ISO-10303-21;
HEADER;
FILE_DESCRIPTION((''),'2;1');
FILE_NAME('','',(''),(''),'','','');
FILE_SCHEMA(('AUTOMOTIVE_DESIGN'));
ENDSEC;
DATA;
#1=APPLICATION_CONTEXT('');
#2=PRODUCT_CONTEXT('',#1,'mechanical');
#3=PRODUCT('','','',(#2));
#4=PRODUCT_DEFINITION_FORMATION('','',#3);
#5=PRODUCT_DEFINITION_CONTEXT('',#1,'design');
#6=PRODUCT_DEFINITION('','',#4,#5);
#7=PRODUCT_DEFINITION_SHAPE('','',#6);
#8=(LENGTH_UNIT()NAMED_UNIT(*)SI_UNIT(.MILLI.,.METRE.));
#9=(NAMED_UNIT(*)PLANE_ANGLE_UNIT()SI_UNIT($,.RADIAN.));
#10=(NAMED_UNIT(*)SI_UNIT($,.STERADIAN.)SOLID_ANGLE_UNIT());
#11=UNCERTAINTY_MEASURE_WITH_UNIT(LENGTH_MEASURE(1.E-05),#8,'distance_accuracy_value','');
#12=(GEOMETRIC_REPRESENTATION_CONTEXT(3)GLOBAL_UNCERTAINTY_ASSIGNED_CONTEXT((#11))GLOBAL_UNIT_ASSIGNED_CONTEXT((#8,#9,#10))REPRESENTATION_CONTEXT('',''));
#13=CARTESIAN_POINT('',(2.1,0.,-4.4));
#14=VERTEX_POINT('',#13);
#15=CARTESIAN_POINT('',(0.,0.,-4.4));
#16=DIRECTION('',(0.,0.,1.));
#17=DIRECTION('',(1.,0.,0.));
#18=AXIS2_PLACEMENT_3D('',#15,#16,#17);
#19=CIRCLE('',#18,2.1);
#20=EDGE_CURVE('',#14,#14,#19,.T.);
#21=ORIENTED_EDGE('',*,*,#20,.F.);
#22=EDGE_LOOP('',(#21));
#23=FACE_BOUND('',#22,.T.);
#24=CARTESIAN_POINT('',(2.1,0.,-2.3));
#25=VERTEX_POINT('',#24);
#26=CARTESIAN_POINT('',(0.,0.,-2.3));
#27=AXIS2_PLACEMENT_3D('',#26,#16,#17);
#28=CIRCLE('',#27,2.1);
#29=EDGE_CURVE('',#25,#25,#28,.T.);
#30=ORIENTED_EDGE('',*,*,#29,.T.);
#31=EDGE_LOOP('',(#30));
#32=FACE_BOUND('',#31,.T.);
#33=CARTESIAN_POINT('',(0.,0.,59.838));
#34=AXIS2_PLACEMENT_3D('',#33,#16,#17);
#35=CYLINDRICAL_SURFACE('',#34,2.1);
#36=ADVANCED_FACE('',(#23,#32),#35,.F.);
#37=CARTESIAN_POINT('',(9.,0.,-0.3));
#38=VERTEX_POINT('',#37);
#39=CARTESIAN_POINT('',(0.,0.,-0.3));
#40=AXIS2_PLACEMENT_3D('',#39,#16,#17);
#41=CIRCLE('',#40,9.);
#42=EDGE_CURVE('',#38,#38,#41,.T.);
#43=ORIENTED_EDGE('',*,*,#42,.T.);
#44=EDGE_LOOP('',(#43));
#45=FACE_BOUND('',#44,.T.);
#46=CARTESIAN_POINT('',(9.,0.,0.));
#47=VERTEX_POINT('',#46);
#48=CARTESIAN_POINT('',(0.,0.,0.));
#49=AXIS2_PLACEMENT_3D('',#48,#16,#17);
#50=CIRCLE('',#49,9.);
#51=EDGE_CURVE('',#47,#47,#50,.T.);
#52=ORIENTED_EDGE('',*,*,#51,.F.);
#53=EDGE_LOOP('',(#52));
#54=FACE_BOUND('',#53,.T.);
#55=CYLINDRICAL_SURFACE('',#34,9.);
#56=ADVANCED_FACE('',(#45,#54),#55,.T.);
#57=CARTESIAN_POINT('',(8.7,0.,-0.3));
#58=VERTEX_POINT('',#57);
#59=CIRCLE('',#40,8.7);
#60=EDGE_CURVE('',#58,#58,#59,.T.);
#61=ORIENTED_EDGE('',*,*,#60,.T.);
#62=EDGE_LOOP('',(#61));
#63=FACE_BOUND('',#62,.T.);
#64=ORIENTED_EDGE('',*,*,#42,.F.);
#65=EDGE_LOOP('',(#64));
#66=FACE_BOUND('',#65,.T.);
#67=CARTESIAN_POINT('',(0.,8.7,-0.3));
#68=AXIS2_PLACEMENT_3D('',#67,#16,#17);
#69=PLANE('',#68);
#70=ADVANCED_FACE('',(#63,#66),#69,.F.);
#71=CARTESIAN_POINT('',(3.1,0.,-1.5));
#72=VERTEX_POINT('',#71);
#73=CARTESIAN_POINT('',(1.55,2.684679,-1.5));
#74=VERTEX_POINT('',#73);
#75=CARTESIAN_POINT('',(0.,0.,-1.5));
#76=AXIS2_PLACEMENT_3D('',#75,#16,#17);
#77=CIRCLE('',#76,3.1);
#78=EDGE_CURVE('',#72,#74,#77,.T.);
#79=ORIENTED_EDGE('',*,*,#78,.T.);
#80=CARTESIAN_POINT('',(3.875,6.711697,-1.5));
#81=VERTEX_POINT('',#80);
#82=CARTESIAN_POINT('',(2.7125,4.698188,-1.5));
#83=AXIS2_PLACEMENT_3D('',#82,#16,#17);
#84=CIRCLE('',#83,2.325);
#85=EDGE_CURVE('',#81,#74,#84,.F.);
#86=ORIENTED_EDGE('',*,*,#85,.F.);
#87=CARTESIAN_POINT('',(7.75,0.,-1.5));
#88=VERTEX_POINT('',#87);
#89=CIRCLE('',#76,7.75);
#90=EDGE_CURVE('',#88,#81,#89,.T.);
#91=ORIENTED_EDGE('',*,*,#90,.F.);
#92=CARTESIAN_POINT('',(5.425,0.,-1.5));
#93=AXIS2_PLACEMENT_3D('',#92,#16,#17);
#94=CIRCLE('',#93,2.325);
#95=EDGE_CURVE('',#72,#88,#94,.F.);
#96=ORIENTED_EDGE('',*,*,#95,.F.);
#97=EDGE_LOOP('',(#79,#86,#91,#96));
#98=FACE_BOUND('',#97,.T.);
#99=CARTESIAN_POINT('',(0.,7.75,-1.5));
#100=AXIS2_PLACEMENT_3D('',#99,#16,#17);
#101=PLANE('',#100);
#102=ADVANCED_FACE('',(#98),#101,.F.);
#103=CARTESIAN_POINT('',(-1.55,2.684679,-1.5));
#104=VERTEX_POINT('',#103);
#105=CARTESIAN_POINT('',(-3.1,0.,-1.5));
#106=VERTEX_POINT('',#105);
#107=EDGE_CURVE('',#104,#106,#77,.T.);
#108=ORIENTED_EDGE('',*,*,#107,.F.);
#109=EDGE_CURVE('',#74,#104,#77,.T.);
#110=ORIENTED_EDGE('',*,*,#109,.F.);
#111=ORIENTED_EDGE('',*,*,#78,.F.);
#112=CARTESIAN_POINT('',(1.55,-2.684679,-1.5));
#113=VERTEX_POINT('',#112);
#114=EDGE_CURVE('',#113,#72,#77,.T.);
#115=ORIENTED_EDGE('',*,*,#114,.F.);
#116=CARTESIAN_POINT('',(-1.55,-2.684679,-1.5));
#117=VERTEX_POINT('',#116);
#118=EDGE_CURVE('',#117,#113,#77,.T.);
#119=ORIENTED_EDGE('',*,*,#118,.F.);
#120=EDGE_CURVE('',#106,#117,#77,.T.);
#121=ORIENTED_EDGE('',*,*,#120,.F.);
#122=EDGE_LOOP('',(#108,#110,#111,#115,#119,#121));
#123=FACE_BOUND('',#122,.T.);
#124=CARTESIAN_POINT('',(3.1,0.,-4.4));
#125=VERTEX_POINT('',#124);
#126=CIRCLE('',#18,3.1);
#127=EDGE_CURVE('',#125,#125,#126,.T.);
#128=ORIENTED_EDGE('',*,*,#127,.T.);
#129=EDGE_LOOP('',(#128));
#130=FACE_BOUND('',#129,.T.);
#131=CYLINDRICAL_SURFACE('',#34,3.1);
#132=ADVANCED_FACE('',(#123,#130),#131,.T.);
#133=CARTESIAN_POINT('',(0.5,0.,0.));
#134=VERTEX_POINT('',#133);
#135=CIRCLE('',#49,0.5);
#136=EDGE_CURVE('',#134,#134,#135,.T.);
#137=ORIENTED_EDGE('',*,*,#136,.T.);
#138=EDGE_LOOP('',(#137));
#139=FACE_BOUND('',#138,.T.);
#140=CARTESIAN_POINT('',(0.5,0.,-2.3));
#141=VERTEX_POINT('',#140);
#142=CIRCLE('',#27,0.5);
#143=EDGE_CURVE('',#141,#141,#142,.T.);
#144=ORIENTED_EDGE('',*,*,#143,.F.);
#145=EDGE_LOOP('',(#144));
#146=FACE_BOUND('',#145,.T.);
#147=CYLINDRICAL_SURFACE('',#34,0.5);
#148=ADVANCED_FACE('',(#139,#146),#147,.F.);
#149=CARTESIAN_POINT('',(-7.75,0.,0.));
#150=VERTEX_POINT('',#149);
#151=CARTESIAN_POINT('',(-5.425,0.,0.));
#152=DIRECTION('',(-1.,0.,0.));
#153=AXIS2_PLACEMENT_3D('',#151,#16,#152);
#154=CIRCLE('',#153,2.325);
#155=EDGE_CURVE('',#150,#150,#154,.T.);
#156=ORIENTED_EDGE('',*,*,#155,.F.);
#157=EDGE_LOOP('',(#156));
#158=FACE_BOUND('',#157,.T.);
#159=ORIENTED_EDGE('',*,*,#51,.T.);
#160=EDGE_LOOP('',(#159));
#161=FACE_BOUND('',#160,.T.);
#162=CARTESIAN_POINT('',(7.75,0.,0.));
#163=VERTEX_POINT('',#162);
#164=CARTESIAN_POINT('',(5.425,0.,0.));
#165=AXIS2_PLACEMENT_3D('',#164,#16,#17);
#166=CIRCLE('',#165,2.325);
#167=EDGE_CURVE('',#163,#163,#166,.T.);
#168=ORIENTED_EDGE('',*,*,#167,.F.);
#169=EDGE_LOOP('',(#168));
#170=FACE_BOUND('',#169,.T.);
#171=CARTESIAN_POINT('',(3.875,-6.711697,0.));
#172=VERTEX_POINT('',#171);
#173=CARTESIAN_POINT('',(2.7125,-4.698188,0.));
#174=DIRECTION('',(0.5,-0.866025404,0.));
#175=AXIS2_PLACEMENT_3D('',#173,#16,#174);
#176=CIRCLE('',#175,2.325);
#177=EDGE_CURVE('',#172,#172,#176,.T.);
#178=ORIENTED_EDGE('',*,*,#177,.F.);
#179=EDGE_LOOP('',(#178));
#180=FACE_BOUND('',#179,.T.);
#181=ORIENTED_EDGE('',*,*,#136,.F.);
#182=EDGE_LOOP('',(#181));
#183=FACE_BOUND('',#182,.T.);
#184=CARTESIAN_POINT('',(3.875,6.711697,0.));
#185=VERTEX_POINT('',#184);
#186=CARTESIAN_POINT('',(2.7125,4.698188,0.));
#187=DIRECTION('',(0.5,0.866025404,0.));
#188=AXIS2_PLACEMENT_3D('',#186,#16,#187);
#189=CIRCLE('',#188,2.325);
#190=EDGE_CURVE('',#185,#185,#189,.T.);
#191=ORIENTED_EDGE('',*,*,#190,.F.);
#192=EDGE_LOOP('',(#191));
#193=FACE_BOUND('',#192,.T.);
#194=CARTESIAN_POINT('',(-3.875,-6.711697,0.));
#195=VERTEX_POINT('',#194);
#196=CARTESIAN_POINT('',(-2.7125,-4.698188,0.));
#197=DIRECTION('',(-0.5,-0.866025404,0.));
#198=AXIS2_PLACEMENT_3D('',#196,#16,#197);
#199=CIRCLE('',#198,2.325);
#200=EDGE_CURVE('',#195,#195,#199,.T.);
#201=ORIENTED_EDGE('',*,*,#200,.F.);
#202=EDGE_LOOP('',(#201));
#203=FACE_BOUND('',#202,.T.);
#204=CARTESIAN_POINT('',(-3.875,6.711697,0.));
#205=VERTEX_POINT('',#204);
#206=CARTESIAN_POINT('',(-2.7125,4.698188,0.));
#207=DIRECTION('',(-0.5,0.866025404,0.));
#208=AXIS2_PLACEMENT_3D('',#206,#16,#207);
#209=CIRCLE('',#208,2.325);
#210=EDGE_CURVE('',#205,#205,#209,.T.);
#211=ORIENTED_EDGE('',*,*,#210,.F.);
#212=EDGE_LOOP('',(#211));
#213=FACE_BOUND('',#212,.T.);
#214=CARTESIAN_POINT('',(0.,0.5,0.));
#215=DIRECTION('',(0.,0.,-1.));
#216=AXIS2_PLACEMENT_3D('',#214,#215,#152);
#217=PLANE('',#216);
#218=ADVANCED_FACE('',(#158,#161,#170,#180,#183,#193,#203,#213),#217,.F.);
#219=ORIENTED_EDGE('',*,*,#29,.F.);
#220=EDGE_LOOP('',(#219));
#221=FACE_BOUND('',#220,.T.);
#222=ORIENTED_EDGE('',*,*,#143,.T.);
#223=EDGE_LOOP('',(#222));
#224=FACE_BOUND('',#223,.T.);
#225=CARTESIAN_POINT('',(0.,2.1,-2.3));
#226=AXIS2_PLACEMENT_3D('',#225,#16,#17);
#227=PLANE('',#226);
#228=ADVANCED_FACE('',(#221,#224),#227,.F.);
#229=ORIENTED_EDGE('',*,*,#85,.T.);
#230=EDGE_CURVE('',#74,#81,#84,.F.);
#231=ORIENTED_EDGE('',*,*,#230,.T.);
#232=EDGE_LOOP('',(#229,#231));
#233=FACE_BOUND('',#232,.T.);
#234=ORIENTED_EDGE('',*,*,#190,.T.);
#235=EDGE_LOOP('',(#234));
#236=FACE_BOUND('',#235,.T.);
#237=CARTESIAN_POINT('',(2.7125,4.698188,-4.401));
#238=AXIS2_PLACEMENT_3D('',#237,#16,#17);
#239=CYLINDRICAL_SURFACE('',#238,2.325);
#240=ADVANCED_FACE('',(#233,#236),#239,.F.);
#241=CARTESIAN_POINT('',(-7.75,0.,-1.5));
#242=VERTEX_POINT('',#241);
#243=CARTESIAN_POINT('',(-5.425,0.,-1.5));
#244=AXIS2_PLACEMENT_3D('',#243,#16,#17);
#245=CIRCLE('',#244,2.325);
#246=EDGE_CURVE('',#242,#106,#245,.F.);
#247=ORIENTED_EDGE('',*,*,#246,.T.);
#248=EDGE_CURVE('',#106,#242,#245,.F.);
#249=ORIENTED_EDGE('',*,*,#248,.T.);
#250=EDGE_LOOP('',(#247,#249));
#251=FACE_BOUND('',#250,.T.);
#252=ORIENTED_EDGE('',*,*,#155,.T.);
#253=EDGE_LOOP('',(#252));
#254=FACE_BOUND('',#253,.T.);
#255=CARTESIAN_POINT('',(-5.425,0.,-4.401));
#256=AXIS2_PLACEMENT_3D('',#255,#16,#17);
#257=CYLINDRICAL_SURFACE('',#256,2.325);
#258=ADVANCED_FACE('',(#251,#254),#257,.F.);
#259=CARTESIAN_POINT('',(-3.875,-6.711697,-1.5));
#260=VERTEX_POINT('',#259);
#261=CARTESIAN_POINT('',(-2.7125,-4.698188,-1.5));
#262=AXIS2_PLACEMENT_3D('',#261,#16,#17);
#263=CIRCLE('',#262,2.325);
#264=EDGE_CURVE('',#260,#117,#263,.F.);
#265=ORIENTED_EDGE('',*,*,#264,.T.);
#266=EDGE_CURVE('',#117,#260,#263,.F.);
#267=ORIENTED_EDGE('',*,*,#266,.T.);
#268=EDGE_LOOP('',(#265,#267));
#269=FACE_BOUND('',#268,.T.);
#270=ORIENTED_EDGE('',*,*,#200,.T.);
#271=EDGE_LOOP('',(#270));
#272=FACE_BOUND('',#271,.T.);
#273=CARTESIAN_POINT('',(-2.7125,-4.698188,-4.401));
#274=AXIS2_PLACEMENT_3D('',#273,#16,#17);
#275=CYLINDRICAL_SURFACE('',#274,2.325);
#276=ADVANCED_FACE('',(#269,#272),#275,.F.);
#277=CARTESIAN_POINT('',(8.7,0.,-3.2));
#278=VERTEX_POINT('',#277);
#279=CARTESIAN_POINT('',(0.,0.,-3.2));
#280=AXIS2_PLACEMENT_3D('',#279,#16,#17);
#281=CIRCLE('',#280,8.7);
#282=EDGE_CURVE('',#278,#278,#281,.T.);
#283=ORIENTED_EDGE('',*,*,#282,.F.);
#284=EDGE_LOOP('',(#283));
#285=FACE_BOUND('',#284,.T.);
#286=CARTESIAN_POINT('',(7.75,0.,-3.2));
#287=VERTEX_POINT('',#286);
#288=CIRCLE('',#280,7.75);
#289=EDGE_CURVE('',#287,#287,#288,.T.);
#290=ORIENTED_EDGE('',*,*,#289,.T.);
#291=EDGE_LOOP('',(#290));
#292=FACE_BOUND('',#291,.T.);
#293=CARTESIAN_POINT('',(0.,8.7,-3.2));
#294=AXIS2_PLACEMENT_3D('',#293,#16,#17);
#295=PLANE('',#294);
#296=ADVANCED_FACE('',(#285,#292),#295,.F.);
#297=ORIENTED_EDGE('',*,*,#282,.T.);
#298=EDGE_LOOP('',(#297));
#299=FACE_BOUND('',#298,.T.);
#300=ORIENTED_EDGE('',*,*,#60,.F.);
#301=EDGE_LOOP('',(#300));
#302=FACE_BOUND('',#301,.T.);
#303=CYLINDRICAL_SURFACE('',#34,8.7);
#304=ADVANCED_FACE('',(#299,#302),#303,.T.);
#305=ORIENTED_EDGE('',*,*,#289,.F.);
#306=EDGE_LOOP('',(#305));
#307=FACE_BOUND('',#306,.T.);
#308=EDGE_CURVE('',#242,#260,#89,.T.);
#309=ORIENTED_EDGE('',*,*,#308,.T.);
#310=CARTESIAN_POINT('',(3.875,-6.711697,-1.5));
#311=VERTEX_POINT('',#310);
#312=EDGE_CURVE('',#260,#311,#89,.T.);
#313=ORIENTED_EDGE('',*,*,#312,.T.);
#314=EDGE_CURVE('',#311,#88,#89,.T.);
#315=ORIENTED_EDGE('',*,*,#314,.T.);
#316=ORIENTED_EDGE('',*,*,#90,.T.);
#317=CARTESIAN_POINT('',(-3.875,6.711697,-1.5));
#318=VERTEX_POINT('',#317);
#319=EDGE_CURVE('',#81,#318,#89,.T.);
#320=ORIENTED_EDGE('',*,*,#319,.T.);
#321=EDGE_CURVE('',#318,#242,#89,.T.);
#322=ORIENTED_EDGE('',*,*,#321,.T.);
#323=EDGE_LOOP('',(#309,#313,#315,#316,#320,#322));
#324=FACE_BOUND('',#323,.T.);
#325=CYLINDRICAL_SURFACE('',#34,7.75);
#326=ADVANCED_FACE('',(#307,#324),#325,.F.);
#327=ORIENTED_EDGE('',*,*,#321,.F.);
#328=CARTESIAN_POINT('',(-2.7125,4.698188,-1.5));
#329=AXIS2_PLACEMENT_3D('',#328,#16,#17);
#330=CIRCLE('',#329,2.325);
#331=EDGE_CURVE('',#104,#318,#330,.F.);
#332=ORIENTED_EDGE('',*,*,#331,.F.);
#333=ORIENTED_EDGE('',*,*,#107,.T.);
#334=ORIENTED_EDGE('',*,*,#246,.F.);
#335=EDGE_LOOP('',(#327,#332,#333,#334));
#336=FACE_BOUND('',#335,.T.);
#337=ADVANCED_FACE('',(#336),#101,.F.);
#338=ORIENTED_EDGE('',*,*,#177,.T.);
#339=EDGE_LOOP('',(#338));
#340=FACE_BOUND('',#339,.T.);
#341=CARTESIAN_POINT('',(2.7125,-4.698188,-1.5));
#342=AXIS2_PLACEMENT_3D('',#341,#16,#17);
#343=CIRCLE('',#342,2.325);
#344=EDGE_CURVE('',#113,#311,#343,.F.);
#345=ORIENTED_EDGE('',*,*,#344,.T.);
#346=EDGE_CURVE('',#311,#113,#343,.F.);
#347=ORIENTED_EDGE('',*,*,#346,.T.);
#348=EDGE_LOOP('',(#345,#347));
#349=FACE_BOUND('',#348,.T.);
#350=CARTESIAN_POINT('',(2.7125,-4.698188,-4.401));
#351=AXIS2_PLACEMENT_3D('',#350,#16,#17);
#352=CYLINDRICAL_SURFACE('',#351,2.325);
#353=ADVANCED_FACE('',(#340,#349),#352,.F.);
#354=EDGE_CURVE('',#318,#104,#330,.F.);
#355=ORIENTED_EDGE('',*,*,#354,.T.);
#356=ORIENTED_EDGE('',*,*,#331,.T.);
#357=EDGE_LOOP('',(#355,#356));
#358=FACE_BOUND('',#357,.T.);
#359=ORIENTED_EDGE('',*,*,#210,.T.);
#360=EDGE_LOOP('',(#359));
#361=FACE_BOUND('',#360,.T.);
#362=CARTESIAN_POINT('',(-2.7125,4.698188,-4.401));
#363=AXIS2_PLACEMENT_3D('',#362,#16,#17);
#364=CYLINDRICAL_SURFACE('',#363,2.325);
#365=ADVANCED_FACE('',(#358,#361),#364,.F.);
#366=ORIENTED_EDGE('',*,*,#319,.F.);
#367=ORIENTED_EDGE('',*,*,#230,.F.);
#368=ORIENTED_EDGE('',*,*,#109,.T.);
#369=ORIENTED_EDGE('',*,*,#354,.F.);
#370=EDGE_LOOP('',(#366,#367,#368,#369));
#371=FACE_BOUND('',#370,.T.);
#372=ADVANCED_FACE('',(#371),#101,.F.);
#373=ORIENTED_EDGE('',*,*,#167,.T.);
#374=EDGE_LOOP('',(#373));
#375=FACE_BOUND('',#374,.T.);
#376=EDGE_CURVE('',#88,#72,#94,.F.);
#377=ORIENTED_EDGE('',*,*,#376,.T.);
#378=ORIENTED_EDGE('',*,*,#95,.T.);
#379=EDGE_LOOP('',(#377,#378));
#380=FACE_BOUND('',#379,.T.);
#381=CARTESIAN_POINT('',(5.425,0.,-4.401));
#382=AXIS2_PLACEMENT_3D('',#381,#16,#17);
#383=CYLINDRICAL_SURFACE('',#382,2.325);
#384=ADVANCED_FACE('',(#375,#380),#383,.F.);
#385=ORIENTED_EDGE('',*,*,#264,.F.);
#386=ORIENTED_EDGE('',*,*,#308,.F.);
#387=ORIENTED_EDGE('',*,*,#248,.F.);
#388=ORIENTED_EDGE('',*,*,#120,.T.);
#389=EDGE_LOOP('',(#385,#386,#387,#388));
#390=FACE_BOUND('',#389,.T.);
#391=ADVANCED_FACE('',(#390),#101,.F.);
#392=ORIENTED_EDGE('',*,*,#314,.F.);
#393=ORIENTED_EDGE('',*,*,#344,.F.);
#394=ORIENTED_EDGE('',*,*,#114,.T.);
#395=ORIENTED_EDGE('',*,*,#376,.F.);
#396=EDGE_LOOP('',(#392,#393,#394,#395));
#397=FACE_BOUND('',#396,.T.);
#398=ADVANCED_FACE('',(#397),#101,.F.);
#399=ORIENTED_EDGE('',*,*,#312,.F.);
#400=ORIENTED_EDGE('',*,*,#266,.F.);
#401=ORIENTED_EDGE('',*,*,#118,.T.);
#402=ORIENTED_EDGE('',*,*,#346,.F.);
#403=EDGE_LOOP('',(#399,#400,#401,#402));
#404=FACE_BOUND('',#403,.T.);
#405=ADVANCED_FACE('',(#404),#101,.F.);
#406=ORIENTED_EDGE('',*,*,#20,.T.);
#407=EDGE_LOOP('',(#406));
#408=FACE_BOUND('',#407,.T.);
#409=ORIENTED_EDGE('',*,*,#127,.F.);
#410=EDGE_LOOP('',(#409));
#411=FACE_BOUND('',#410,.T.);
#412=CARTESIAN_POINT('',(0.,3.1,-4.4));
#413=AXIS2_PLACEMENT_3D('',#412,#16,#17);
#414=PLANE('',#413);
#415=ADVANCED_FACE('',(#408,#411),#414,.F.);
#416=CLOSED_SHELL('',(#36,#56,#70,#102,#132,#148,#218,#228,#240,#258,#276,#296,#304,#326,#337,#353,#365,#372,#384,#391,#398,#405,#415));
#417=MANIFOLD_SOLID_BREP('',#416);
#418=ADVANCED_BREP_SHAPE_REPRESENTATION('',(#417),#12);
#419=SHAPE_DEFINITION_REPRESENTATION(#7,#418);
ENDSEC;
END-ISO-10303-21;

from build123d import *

# Parameters (mm, degrees)
CUT_EXTRUDE1_REACH = 15.467
SKETCH2_R          = 2.325
CIRPATTERN1_COUNT  = 6


with BuildPart() as part:
    # Sketch1 → Revolve1 (revolve)
    with BuildSketch(Plane(origin=(0, 0, 0), x_dir=(0, 0, -1), z_dir=(1, 0, 0)), mode=Mode.PRIVATE) as revolve1_sk:
        Polygon((1.5, 3.1), (4.4, 3.1), (4.4, 2.1), (2.3, 2.1), (2.3, 0.5), (0, 0.5), (0, 9), (0.3, 9), (0.3, 8.7), (3.2, 8.7), (3.2, 7.75), (1.5, 7.75), align=None)
    revolve(revolve1_sk.sketch.rotate(Axis((0, 0, 59.838000458), (0, 0, -1)), 90), axis=Axis((0, 0, 59.838000458), (0, 0, -1)))

    # Sketch2 → Cut-Extrude1 (cut, up to next)
    with BuildSketch(Plane.XY, mode=Mode.PRIVATE) as cut_extrude1_sk1:
        with Locations((5.425, 0)):
            Circle(SKETCH2_R)
    cut_extrude1_tool1 = extrude(cut_extrude1_sk1.sketch, amount=-CUT_EXTRUDE1_REACH, mode=Mode.PRIVATE) & part.part
    cut_extrude1 = cut_extrude1_tool1.solids().sort_by_distance((5.425, 0, 0))[0]
    add(cut_extrude1, mode=Mode.SUBTRACT)

    # CirPattern1: Cut-Extrude1 ×6 about axis
    cirpattern1_axis = Axis((0, 0, 0), (0, 0, 1))
    for i in range(1, CIRPATTERN1_COUNT):
        add(cut_extrude1.rotate(cirpattern1_axis, i * 360 / CIRPATTERN1_COUNT), mode=Mode.SUBTRACT)


solid = part.part
